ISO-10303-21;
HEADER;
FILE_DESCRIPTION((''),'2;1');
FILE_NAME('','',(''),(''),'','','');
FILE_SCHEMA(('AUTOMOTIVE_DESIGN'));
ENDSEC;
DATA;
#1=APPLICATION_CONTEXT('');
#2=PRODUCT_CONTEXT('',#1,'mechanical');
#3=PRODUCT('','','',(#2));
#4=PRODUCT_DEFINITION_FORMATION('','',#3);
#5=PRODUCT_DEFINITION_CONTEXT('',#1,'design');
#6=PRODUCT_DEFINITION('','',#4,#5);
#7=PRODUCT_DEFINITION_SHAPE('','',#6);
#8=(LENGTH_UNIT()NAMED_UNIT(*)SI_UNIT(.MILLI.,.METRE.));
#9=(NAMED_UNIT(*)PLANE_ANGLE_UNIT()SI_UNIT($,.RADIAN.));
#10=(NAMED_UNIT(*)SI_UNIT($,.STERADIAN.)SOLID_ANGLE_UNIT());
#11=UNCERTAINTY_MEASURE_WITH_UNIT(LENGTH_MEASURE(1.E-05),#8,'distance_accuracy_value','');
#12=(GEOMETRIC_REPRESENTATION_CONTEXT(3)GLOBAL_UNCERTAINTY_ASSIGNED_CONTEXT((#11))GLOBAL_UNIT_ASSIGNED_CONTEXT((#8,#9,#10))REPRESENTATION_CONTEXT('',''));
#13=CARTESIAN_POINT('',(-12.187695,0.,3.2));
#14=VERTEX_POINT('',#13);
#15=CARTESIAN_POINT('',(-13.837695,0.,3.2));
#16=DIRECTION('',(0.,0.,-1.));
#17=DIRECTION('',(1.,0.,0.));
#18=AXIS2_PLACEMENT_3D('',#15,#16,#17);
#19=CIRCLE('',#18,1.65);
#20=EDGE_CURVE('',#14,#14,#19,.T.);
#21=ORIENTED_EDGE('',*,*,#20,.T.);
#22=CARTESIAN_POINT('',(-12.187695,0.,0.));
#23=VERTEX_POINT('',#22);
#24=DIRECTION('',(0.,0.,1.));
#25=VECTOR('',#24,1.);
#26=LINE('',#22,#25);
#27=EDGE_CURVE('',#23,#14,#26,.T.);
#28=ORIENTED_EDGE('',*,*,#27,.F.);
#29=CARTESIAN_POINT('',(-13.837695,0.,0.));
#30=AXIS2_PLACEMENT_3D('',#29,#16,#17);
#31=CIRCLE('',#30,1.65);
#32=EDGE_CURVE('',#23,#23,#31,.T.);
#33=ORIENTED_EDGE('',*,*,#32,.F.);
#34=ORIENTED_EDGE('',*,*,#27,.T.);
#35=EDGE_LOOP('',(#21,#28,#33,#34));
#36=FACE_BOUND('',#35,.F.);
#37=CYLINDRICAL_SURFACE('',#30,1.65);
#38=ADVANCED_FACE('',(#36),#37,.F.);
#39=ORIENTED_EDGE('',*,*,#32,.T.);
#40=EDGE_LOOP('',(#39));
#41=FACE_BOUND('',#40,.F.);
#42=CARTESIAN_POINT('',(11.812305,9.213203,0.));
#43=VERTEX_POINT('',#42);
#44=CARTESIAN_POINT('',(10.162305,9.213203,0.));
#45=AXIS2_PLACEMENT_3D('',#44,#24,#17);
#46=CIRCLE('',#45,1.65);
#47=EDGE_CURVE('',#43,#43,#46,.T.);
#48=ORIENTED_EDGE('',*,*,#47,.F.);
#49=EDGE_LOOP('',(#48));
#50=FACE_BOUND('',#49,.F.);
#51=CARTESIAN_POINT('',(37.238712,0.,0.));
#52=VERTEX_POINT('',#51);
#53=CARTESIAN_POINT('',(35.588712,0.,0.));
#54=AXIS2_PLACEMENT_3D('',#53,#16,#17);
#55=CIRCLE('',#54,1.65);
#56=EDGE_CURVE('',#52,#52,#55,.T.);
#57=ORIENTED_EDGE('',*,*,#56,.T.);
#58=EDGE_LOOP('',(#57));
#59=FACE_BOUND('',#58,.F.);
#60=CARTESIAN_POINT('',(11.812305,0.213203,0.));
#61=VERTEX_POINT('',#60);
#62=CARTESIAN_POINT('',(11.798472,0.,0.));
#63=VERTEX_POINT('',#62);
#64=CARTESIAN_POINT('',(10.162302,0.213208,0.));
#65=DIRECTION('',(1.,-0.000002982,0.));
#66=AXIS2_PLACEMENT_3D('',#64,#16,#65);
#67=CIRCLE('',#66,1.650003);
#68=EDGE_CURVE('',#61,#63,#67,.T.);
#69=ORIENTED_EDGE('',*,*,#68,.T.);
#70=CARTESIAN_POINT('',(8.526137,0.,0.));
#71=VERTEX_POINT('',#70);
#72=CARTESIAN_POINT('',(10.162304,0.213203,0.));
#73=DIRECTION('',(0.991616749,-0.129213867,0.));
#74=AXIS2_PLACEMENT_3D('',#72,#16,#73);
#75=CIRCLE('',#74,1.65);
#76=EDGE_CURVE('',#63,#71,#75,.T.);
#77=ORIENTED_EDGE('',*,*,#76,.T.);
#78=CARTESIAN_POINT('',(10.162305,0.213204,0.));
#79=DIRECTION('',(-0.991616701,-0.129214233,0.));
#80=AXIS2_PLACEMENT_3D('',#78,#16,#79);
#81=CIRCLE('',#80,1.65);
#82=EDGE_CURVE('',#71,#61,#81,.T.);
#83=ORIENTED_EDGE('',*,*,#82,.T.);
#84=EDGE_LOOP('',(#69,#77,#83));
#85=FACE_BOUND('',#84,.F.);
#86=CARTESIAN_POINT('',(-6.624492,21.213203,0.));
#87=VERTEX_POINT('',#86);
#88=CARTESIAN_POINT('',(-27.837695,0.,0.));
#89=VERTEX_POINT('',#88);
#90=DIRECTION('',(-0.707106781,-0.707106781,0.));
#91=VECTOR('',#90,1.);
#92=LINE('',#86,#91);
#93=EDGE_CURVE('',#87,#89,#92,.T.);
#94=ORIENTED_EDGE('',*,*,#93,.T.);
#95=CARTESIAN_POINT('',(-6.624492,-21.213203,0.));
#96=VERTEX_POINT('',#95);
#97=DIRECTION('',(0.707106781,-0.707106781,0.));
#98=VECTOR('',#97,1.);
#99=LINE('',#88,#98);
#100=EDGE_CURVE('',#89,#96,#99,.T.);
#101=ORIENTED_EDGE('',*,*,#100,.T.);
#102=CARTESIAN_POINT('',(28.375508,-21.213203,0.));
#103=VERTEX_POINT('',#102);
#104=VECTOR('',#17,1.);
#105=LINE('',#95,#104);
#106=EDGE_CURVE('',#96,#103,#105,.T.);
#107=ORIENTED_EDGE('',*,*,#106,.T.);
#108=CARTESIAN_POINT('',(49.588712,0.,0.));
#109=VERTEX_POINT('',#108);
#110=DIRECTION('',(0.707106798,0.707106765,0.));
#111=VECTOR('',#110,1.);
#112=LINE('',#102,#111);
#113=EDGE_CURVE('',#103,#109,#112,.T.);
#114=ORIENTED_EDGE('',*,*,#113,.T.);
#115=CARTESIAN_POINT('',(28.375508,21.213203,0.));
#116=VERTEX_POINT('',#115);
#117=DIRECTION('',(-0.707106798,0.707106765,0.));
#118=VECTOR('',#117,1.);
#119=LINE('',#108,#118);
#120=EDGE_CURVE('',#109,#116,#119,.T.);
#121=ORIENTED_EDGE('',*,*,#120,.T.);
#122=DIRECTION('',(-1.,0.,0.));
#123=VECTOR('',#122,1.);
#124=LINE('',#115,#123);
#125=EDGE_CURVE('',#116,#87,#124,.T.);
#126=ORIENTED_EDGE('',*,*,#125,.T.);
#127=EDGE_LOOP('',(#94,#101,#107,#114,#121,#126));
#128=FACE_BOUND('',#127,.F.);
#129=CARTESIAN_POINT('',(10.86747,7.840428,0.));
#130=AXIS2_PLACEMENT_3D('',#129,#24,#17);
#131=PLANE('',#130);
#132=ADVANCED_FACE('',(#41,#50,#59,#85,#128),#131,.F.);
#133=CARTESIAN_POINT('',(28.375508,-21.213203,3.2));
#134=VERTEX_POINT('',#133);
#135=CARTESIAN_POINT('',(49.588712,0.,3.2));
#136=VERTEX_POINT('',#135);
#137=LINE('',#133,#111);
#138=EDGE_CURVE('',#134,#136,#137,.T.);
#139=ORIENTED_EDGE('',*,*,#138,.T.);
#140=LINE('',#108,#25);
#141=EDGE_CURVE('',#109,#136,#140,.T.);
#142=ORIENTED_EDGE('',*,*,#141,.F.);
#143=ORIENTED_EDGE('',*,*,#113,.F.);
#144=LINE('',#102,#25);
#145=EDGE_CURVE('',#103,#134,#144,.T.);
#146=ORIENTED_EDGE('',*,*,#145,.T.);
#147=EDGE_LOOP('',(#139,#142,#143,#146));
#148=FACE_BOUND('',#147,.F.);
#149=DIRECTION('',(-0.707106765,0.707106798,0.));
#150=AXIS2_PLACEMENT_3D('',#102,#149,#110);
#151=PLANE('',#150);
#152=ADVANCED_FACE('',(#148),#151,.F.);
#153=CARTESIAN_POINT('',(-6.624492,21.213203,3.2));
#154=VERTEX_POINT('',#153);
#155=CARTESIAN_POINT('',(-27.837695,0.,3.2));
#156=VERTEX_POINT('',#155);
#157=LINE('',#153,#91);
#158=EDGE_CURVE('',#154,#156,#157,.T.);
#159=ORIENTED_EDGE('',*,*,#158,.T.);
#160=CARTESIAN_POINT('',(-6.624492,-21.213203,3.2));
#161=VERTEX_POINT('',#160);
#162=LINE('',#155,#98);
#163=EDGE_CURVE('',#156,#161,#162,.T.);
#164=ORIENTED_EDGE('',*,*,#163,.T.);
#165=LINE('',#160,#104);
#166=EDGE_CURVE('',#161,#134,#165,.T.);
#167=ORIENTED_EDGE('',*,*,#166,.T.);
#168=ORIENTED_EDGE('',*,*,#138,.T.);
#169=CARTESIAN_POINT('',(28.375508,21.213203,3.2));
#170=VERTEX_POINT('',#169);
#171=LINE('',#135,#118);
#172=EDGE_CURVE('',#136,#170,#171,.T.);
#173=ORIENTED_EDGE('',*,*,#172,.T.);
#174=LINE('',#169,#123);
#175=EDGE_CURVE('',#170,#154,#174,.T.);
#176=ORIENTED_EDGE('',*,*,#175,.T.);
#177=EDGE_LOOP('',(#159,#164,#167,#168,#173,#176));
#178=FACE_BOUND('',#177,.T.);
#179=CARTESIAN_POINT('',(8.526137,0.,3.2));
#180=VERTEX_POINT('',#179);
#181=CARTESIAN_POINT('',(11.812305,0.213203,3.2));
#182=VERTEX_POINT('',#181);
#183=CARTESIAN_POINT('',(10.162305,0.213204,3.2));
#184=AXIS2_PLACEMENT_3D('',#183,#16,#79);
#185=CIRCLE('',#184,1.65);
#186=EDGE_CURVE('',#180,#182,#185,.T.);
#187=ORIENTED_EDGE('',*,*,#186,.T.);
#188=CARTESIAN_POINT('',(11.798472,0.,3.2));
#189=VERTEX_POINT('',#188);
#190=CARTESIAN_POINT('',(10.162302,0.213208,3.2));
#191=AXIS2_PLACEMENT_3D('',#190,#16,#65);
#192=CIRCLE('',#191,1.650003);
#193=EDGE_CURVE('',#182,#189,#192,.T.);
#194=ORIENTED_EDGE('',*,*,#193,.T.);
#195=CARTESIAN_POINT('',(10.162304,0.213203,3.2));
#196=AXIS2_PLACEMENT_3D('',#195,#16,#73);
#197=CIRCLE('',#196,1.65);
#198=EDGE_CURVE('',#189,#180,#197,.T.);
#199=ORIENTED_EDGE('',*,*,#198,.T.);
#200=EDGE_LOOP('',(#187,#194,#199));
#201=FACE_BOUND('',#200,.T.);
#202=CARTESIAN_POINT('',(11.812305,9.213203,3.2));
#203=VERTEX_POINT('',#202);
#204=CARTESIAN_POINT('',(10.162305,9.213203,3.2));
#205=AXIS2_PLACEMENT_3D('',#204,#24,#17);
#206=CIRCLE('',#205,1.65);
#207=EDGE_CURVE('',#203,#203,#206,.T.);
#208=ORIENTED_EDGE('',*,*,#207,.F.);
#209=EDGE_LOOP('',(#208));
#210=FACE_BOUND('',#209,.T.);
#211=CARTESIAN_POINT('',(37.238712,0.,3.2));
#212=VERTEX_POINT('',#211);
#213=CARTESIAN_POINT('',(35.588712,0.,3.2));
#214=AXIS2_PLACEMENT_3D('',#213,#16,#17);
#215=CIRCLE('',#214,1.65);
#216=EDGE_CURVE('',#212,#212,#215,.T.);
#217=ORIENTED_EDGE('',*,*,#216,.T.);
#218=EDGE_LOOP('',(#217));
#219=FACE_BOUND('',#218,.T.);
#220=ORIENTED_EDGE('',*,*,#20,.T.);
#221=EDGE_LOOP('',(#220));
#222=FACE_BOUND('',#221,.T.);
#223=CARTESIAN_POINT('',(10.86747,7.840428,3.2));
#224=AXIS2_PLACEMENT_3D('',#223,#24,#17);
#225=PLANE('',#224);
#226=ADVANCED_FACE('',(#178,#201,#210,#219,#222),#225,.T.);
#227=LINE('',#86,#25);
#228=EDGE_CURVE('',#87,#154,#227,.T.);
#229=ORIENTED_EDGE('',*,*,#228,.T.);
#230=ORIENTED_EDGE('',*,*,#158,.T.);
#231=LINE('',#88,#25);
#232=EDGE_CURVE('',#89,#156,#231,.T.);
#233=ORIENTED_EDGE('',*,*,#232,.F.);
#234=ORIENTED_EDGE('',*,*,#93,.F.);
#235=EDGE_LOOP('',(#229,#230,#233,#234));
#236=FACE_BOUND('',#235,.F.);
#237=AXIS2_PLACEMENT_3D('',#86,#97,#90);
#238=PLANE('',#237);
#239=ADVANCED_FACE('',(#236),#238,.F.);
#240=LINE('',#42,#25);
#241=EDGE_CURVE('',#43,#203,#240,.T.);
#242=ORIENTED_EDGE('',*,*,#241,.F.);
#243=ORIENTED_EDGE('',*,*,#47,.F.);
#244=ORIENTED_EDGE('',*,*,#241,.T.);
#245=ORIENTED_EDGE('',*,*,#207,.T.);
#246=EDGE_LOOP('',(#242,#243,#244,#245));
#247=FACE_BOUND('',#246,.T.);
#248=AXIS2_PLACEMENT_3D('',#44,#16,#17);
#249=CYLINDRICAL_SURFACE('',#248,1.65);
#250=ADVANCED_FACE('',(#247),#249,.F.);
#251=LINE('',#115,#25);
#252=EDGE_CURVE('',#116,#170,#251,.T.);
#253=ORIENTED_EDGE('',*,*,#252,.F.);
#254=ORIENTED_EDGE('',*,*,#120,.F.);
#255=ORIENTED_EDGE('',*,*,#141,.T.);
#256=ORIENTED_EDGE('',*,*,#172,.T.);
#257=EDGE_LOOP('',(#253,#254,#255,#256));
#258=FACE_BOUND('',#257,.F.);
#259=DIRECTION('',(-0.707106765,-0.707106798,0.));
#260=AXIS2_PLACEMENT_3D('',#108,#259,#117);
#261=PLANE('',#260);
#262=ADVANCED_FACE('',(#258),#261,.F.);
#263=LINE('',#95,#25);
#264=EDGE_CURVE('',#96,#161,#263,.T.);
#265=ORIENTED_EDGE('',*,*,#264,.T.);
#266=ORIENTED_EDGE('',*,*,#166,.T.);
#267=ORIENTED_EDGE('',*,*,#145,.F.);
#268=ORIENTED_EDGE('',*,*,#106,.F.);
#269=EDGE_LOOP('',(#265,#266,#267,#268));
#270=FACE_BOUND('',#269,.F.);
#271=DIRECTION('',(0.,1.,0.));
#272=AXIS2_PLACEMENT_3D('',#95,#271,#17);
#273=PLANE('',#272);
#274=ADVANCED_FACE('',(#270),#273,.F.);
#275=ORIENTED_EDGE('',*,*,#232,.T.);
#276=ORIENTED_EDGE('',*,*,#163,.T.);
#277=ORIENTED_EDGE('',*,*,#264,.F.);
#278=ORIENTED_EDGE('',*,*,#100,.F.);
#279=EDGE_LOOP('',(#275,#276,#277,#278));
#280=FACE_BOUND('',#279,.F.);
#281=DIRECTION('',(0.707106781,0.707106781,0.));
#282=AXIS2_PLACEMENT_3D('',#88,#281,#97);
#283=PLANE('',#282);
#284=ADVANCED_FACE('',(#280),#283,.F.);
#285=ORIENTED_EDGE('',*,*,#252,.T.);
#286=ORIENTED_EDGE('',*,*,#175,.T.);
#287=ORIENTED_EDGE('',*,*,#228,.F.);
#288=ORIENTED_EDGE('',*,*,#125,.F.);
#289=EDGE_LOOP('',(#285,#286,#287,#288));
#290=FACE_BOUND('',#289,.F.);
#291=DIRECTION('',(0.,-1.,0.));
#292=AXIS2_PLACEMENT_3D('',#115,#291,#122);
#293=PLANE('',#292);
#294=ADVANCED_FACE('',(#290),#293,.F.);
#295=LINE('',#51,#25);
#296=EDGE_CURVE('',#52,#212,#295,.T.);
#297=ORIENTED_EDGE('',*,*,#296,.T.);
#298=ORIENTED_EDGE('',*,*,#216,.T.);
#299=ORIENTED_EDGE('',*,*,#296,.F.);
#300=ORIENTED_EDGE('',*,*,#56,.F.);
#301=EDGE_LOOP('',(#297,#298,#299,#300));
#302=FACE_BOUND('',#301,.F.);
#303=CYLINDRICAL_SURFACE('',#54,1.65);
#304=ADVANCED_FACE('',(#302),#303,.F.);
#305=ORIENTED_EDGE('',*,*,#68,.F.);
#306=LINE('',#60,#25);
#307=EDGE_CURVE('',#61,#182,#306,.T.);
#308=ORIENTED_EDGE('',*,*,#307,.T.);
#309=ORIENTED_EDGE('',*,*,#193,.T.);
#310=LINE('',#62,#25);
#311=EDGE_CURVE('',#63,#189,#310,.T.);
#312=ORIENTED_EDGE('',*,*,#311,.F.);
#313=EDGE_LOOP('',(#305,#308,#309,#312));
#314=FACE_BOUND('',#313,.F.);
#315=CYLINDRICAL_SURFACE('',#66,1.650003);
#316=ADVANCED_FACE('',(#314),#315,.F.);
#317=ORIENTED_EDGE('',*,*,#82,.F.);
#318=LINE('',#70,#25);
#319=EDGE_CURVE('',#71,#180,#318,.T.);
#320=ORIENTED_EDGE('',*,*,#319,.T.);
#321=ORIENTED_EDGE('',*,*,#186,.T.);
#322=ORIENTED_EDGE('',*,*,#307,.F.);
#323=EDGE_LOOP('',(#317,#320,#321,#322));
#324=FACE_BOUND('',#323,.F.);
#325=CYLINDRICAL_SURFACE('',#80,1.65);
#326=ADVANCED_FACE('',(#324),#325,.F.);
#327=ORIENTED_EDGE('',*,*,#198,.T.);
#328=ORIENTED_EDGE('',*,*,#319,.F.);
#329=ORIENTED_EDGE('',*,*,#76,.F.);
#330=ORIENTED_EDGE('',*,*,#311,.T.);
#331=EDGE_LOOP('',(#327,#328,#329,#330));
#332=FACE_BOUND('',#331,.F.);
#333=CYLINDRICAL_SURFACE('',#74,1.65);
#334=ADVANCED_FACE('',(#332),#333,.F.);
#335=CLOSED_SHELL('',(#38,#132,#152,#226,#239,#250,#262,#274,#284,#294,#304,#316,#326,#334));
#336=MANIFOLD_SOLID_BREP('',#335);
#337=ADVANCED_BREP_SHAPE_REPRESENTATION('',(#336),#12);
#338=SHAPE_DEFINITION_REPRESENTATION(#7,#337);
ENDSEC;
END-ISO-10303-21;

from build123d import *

# Parameters (mm, degrees)
F0_R     = 1.65
F1_DEPTH = 3.2


with BuildPart() as f1:
    # F0 (on Top) → F1 (new body)
    with BuildSketch(Plane.XY):
        with BuildLine():
            Line((37.238712, 0), (49.588712, 0))
            Line((49.588712, 0), (28.375508, 21.213203))
            Line((28.375508, 21.213203), (-6.624492, 21.213203))
            Line((-6.624492, 21.213203), (-27.837695, 0))
            Line((-27.837695, 0), (-15.487695, 0))
            ThreePointArc((-15.487695, 0), (-13.837695, 1.65), (-12.187695, 0))
            Line((-12.187695, 0), (8.526137, 0))
            ThreePointArc((8.526137, 0), (10.055479, 1.859742), (11.812305, 0.213203))
            ThreePointArc((11.812305, 0.213203), (11.808843, 0.106378), (11.798472, 0))
            Line((11.798472, 0), (33.938712, 0))
            ThreePointArc((33.938712, 0), (35.588712, 1.65), (37.238712, 0))
        make_face()
        with Locations((10.162305, 9.213203)):
            Circle(F0_R, mode=Mode.SUBTRACT)
        with BuildLine():
            Line((28.375508, -21.213203), (49.588712, 0))
            Line((49.588712, 0), (37.238712, 0))
            ThreePointArc((37.238712, 0), (35.588712, -1.65), (33.938712, 0))
            Line((33.938712, 0), (11.798472, 0))
            ThreePointArc((11.798472, 0), (10.162305, -1.436797), (8.526137, 0))
            Line((8.526137, 0), (-12.187695, 0))
            ThreePointArc((-12.187695, 0), (-13.837695, -1.65), (-15.487695, 0))
            Line((-15.487695, 0), (-27.837695, 0))
            Line((-27.837695, 0), (-6.624492, -21.213203))
            Line((-6.624492, -21.213203), (28.375508, -21.213203))
        make_face()
    extrude(amount=F1_DEPTH)


solid = f1.part
